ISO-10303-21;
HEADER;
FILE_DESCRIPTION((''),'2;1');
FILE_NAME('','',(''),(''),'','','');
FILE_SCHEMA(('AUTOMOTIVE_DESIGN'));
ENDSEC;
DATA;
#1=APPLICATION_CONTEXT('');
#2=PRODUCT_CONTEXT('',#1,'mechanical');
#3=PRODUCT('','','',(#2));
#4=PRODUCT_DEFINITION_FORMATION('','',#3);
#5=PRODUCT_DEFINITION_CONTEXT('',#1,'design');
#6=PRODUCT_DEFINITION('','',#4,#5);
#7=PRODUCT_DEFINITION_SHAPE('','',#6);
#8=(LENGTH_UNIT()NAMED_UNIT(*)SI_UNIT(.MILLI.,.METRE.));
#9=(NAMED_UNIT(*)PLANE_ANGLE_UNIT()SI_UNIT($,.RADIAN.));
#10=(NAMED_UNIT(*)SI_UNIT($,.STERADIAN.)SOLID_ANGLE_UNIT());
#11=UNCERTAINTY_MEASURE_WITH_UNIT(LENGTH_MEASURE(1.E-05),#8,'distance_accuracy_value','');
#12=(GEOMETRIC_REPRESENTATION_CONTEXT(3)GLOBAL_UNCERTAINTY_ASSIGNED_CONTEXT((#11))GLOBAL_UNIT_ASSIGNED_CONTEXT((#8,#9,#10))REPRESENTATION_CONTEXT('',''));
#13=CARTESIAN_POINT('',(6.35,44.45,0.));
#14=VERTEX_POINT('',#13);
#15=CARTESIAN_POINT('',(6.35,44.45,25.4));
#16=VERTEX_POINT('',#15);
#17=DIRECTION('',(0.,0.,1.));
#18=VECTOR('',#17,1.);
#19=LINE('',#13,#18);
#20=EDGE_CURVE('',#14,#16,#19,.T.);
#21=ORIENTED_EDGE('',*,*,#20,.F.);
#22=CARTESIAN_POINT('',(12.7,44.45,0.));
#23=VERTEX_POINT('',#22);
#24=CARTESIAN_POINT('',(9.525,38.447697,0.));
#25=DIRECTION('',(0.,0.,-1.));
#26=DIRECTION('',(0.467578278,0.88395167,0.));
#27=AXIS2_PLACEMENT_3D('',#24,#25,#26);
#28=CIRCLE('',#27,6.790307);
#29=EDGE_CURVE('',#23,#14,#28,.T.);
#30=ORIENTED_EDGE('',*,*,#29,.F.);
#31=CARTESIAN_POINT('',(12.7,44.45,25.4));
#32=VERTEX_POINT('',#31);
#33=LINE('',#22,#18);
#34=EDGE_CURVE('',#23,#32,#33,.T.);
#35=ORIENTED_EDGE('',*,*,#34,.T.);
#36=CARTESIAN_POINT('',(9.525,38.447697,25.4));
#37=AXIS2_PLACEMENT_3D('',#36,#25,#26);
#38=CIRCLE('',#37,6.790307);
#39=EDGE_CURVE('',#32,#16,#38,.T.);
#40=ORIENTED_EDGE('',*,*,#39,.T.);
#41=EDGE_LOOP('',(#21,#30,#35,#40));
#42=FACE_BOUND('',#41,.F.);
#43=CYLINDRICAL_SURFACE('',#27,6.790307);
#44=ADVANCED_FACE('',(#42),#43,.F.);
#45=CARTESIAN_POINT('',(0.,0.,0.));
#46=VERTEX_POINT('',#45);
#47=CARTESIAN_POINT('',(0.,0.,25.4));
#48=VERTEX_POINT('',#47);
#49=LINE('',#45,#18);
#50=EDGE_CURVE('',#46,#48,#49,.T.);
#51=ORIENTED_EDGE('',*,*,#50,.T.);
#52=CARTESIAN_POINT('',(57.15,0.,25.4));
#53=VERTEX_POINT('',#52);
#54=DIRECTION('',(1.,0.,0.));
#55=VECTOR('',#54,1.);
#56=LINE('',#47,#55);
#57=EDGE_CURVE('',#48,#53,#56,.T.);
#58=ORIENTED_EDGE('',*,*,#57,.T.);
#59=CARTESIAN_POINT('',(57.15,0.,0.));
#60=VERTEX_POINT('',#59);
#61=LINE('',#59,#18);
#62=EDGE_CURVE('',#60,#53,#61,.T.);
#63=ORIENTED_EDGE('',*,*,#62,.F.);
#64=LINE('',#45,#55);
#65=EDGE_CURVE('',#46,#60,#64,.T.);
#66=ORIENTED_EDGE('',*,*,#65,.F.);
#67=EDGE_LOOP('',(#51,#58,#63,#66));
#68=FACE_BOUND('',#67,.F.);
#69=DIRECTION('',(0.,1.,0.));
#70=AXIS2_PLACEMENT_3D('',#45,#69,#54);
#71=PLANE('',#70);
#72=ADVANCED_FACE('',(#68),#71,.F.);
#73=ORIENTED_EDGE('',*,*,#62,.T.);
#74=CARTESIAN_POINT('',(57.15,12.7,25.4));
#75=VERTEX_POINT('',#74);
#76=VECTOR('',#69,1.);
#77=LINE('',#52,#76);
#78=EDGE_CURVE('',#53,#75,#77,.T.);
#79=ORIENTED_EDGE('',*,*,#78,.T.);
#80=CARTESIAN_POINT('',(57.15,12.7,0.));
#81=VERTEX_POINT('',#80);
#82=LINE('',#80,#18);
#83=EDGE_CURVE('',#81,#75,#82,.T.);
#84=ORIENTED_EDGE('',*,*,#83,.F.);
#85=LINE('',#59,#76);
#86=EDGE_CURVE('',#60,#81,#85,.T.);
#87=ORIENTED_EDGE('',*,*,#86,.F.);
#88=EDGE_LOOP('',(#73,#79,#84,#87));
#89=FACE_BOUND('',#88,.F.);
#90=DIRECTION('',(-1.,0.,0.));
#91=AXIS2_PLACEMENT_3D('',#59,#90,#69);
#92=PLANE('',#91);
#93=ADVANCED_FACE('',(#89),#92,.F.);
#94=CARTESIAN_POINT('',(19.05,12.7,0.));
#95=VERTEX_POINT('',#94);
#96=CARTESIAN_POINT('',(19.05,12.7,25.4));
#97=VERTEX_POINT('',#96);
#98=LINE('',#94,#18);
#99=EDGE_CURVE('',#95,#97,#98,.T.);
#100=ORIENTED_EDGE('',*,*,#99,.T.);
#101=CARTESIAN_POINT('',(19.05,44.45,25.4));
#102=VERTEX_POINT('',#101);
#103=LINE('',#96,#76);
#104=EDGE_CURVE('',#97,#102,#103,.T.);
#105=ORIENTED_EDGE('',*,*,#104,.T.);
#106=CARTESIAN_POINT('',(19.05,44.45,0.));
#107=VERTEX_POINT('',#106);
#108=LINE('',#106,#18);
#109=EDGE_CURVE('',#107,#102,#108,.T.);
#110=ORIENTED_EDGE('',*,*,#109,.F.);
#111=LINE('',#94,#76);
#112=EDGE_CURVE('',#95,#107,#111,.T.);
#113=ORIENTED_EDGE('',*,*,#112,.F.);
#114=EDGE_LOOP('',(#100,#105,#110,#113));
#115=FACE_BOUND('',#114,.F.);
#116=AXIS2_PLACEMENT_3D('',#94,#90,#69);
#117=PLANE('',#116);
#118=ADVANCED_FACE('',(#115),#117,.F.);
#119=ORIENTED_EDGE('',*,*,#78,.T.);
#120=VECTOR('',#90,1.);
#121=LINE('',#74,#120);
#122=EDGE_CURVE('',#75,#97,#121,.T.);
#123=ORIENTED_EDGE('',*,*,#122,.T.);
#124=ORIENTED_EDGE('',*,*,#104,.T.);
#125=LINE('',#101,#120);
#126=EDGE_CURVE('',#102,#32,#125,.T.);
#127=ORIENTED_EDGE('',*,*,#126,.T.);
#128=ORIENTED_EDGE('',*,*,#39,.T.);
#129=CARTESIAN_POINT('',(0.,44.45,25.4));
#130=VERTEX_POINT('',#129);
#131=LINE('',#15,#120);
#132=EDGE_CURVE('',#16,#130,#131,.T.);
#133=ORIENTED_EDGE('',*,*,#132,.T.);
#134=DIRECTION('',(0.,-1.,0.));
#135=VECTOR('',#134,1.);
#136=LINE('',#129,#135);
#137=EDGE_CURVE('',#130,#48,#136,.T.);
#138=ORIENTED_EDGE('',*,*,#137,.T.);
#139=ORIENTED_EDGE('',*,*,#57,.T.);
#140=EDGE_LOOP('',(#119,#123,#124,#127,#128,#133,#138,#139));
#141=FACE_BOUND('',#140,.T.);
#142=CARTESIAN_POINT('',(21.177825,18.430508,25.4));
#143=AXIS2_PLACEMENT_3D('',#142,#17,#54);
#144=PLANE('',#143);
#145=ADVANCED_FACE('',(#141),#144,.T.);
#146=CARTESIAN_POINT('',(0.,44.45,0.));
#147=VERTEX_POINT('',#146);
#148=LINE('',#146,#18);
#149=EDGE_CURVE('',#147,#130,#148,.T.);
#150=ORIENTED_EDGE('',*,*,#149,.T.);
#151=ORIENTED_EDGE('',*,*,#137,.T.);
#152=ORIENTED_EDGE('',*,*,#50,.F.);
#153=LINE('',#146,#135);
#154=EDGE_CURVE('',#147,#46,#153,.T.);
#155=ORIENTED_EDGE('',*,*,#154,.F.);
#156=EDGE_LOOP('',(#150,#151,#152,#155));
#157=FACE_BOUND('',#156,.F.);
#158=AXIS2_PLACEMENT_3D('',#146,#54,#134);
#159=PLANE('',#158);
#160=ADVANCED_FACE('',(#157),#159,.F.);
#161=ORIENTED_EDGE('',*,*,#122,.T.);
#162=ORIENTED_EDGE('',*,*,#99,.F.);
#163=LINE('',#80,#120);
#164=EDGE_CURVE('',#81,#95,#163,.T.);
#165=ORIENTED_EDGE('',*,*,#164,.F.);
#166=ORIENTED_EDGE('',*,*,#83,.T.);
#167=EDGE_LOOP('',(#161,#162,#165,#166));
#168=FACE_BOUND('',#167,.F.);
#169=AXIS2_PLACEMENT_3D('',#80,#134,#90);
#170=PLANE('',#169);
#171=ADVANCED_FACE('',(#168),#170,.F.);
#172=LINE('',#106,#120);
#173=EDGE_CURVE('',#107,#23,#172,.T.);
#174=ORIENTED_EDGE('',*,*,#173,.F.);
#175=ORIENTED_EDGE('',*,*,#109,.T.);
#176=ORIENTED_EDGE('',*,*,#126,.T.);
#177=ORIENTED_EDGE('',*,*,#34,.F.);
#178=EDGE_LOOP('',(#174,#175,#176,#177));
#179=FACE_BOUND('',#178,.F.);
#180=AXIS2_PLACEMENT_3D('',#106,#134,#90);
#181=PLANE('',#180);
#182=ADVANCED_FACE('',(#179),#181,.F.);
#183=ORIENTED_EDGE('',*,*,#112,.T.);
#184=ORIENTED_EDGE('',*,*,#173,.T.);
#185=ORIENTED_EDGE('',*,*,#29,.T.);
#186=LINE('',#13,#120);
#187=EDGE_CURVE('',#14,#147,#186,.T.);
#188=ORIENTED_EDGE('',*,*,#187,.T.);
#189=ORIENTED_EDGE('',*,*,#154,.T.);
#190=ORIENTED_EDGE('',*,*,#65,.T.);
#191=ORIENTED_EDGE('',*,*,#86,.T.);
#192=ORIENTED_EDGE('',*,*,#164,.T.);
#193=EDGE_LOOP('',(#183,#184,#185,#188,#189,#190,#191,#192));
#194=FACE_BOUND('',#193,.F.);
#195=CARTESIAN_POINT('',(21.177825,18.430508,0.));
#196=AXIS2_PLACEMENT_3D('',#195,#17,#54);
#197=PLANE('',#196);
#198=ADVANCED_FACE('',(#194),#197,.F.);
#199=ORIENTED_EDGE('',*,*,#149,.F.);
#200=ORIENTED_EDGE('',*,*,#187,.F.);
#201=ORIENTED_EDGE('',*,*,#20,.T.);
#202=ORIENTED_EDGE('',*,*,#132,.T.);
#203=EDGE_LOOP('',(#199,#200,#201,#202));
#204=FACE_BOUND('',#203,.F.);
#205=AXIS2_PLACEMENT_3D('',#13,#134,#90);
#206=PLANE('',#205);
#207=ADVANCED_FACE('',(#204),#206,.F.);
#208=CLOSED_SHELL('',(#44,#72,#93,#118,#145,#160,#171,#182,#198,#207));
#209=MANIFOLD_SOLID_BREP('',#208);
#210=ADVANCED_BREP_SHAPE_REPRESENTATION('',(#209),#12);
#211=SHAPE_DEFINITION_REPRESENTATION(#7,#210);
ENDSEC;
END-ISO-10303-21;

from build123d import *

# Parameters (mm, degrees)
F1_DEPTH = 25.4


with BuildPart() as f1:
    # F0 (on Top) → F1 (new body)
    with BuildSketch(Plane.XY):
        with BuildLine():
            Line((0, 44.45), (0, 0))
            Line((0, 0), (57.15, 0))
            Line((57.15, 0), (57.15, 12.7))
            Line((57.15, 12.7), (19.05, 12.7))
            Line((19.05, 12.7), (19.05, 44.45))
            Line((19.05, 44.45), (12.7, 44.45))
            ThreePointArc((12.7, 44.45), (9.525, 31.65739), (6.35, 44.45))
            Line((6.35, 44.45), (0, 44.45))
        make_face()
    extrude(amount=F1_DEPTH)


solid = f1.part
